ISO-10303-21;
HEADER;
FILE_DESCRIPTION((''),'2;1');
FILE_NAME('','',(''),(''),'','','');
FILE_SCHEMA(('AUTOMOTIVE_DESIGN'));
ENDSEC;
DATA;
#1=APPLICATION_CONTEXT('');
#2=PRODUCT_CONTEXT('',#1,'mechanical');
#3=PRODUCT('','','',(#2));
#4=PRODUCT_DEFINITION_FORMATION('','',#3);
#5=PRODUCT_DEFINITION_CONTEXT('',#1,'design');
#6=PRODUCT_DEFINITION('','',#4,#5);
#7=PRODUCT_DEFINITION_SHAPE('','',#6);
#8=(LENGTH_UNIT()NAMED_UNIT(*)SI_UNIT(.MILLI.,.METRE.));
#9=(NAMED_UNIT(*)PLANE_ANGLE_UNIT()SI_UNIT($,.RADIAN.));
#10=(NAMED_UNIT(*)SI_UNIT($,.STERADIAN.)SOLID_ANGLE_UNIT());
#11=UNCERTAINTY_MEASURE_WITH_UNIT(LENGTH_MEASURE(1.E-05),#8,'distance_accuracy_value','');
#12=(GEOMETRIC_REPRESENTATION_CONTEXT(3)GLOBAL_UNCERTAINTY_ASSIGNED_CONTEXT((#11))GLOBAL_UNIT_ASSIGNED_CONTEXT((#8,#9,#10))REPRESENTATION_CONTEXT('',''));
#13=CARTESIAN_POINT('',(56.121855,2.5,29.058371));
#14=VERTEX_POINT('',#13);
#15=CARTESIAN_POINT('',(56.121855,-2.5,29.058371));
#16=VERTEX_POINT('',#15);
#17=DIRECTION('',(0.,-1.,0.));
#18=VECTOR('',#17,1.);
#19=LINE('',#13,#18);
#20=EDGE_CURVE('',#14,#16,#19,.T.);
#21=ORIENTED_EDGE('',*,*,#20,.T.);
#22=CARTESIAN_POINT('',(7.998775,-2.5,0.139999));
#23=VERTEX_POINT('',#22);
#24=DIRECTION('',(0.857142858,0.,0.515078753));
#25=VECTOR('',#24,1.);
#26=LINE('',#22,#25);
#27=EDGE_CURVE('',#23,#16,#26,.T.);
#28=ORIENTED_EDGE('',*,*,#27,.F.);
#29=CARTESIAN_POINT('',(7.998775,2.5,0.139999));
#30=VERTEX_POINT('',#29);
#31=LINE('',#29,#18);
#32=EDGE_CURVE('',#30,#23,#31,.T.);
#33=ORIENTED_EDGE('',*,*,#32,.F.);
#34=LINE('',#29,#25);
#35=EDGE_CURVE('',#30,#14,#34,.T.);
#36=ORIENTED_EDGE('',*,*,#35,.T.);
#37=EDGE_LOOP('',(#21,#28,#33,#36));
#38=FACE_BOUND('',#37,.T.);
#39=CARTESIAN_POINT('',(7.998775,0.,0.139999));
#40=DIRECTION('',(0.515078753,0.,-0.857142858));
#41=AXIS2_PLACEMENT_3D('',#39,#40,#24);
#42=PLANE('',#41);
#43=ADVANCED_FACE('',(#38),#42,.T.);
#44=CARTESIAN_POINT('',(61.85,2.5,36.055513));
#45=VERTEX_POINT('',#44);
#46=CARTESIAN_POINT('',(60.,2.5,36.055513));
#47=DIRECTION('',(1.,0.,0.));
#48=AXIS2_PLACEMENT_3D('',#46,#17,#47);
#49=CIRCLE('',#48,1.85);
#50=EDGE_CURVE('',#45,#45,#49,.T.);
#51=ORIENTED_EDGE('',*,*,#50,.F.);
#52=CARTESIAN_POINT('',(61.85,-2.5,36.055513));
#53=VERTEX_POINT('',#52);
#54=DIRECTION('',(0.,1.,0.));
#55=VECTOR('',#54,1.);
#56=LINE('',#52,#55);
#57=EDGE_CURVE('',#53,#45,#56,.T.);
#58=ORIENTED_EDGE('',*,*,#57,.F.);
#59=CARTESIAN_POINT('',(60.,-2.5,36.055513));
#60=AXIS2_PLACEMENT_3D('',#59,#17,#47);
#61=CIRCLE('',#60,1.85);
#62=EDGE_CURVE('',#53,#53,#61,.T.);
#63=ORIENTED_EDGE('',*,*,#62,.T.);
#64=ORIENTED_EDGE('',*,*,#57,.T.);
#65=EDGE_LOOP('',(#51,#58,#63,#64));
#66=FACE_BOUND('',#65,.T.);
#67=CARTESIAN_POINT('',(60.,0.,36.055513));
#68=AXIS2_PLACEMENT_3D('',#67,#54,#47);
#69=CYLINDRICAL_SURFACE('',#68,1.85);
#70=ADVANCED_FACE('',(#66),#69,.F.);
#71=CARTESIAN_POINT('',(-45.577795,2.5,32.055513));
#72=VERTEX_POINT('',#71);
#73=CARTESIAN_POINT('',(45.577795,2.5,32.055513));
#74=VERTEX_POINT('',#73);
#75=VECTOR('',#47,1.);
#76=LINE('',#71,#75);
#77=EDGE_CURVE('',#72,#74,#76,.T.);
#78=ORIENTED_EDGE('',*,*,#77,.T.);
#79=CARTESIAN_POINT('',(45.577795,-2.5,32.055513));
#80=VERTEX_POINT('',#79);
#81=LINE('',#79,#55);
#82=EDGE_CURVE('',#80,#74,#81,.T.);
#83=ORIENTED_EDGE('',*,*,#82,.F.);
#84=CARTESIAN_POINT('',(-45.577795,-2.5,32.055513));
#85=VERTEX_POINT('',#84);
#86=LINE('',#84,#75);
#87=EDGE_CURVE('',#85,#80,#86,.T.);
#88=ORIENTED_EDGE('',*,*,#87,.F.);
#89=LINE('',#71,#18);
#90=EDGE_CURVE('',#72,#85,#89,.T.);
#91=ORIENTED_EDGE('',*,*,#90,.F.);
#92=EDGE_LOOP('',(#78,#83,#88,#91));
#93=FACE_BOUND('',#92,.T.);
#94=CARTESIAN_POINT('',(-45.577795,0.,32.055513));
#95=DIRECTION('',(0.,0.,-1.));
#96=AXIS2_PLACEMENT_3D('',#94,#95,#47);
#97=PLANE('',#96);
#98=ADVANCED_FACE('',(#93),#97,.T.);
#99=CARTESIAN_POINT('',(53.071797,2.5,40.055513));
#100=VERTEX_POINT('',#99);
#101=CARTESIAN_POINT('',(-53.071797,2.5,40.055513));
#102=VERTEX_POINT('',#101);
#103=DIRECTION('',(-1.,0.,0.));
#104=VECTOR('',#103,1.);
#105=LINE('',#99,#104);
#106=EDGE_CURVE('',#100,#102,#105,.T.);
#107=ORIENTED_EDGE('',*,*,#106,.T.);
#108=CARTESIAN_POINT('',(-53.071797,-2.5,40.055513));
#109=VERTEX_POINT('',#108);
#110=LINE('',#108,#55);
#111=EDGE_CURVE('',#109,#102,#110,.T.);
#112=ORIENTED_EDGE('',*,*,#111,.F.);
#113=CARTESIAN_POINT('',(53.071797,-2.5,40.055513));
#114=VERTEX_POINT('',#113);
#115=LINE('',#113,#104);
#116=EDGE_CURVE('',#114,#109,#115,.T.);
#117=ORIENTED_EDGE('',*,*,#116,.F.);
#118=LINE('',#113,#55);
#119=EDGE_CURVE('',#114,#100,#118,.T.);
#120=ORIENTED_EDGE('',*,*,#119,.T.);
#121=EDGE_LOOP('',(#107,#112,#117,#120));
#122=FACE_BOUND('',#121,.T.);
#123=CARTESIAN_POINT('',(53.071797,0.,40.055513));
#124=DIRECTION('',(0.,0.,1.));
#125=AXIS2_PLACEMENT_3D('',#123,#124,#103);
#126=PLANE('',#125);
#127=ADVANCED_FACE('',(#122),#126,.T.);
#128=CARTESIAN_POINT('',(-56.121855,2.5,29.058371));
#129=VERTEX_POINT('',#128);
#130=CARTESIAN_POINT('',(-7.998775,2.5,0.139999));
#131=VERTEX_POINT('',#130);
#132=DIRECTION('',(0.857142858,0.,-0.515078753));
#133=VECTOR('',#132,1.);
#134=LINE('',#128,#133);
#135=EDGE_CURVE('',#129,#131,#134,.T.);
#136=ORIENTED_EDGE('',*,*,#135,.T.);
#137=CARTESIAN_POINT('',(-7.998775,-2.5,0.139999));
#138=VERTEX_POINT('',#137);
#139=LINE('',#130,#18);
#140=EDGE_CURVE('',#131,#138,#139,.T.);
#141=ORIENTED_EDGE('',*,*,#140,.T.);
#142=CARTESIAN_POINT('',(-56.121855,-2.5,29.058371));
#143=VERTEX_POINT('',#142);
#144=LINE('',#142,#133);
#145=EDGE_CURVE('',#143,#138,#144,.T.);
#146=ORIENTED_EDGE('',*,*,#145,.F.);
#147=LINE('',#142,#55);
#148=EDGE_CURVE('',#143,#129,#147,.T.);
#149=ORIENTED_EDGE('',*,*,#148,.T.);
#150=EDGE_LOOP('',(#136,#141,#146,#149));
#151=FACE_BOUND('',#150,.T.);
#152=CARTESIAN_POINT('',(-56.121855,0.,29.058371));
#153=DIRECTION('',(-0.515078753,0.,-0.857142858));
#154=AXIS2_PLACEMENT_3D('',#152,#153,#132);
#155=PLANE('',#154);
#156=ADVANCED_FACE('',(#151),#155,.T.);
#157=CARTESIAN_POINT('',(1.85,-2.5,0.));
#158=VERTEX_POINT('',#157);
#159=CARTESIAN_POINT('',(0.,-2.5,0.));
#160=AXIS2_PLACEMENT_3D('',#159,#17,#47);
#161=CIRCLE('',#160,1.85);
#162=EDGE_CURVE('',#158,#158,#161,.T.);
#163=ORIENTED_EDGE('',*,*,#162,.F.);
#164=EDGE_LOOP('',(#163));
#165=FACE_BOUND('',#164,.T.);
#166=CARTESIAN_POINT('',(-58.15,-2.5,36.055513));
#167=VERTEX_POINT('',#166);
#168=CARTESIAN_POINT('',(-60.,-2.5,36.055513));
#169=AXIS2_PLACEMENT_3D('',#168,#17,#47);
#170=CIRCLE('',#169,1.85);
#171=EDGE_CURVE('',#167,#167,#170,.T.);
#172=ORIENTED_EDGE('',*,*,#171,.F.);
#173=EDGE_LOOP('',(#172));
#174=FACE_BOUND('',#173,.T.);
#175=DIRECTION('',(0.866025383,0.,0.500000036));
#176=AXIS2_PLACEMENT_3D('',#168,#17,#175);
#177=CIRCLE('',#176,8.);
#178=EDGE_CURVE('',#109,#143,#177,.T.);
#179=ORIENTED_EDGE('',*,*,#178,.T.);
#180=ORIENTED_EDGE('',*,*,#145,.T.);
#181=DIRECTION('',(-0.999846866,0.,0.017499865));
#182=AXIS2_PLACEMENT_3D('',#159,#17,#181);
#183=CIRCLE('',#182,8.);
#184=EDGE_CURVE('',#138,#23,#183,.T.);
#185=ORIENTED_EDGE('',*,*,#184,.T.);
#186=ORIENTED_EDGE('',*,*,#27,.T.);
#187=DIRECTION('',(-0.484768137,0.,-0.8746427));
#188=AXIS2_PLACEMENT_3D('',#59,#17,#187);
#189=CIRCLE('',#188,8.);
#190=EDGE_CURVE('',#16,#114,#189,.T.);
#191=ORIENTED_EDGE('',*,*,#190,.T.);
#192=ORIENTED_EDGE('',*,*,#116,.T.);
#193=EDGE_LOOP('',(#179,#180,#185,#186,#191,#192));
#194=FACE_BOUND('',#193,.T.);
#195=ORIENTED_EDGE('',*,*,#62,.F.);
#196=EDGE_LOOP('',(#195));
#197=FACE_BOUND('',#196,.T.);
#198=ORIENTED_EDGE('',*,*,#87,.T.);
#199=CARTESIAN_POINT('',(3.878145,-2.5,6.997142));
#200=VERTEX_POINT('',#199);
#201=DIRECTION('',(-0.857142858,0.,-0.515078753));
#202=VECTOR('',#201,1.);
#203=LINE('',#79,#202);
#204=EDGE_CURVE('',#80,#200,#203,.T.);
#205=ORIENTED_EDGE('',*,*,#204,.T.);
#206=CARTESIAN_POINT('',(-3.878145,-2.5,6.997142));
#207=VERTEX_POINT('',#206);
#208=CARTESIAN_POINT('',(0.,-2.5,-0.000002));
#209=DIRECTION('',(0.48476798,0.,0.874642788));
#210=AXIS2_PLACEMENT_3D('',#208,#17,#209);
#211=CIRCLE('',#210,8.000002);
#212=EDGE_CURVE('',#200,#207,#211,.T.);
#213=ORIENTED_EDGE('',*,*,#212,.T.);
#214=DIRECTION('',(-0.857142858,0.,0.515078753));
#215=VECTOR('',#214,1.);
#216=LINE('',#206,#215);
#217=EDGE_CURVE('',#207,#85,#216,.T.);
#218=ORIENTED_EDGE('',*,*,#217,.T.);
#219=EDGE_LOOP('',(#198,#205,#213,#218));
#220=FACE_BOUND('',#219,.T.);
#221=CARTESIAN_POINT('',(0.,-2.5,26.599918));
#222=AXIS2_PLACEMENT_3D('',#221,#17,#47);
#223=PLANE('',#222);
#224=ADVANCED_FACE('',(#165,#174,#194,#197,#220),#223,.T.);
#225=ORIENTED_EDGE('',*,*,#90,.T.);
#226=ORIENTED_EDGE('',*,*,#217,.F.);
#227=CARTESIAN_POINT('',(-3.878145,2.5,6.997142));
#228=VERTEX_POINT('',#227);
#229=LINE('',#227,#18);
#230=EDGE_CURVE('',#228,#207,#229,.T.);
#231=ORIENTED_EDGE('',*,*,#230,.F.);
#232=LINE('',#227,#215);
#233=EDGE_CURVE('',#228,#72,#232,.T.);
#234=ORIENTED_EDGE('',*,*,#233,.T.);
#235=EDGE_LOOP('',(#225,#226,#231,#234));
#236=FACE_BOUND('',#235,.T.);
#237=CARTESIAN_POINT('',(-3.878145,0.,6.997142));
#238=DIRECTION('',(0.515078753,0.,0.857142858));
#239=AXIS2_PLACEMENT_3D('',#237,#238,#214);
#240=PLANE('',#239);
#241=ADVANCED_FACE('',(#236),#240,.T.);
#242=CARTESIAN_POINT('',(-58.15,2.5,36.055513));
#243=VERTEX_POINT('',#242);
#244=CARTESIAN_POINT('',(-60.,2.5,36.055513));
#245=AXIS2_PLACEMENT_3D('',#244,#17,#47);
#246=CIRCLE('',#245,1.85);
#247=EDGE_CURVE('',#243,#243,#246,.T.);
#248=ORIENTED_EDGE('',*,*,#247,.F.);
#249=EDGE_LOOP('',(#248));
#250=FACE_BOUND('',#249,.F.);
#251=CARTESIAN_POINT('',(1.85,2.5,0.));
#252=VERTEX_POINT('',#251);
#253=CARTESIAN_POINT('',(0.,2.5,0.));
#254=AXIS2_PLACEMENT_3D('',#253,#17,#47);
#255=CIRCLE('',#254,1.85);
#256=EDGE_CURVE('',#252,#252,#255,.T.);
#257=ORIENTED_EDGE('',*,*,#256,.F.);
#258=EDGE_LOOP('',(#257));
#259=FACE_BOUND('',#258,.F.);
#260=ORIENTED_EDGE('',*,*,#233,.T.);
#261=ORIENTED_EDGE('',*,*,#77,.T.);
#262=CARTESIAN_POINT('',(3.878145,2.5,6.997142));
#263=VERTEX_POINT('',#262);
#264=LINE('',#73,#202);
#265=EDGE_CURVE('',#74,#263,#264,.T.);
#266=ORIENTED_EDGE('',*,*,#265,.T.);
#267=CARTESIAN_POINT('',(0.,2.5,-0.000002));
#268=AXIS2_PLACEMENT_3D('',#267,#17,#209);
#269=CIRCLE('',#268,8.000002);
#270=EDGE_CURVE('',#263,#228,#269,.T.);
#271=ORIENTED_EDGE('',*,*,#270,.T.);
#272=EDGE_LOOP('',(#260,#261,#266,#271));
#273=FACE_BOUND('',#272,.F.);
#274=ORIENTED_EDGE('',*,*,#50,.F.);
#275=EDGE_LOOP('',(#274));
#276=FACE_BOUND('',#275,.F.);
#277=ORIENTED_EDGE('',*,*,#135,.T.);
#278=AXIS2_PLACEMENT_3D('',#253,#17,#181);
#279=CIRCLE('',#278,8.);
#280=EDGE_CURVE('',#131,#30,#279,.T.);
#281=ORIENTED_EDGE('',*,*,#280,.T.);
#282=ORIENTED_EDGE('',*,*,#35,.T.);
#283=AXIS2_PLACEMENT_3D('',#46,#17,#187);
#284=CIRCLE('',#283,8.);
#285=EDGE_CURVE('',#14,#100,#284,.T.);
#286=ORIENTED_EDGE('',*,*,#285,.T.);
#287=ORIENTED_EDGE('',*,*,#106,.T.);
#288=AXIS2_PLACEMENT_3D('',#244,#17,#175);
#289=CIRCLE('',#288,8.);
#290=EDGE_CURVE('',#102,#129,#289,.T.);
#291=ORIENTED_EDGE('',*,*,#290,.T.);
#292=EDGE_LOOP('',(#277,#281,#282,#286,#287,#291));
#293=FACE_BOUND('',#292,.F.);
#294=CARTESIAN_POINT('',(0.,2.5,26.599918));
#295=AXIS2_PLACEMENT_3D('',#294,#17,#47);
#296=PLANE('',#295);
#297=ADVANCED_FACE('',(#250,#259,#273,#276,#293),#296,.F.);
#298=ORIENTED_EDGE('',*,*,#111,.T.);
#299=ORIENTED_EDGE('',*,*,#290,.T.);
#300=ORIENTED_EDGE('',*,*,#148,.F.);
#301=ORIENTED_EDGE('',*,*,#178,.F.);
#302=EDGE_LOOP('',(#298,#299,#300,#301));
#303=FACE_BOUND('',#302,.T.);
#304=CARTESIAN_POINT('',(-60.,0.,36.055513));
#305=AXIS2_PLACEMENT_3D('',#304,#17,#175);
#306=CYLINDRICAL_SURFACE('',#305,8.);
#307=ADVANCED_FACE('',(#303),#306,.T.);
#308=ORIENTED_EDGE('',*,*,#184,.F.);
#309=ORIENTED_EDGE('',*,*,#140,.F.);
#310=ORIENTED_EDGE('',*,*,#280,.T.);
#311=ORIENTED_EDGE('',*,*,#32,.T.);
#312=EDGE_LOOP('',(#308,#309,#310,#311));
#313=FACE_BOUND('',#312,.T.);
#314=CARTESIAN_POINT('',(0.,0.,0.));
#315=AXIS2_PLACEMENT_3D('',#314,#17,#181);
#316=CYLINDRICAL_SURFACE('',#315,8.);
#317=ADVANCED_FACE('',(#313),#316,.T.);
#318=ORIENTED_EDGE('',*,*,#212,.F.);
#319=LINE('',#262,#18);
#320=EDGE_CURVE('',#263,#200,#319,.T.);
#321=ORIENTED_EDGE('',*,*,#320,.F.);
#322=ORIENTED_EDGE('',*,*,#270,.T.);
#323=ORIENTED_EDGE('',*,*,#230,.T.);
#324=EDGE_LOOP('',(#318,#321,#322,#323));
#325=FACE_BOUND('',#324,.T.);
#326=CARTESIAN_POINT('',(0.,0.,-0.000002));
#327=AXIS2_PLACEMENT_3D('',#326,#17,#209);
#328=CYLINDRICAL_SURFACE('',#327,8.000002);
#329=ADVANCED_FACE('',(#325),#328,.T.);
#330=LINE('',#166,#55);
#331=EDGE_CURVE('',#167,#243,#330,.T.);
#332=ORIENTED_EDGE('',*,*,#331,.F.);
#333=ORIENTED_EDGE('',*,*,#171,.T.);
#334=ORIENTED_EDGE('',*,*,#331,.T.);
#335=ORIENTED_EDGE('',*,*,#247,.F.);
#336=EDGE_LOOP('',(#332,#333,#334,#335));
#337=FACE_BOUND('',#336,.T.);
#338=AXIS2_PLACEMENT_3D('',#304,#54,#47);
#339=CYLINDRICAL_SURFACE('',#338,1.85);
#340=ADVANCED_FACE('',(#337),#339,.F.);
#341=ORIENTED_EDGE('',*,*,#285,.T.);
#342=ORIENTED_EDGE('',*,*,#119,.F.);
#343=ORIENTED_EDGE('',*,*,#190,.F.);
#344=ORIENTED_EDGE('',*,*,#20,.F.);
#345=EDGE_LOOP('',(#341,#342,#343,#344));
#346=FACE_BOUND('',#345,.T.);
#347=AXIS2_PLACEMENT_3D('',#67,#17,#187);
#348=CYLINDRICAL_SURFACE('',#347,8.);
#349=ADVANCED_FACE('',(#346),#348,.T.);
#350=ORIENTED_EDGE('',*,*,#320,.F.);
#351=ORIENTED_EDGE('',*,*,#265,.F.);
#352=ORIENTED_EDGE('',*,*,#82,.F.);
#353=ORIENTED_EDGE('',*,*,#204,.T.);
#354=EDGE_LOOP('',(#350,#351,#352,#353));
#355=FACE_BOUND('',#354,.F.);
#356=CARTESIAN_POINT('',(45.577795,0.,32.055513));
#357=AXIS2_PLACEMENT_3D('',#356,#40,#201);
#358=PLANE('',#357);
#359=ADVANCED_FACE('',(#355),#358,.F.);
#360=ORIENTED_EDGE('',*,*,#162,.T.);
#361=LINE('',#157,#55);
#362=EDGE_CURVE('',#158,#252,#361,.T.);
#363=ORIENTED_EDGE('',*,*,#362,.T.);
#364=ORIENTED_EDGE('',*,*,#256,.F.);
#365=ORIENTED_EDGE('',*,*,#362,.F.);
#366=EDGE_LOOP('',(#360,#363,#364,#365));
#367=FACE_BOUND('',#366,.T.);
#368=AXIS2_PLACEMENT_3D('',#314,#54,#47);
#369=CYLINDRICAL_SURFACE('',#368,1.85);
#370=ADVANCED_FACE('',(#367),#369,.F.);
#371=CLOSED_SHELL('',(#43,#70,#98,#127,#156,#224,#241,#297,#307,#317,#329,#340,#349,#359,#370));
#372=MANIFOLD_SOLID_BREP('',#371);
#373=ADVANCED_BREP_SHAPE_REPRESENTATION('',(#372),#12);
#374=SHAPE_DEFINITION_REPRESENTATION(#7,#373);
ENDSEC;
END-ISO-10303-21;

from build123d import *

# Parameters (mm, degrees)
F0_R     = 1.85
F1_DEPTH = 2.5


with BuildPart() as f1:
    # F0 (on Front) → F1 (new body, symmetric)
    with BuildSketch(Plane.XZ):
        with BuildLine():
            Line((-56.121855, 29.058371), (-7.998775, 0.139999))
            ThreePointArc((-7.998775, 0.139999), (0, -8), (7.998775, 0.139999))
            Line((7.998775, 0.139999), (56.121855, 29.058371))
            ThreePointArc((56.121855, 29.058371), (67.708993, 38.193603), (53.071797, 40.055513))
            Line((53.071797, 40.055513), (-53.071797, 40.055513))
            ThreePointArc((-53.071797, 40.055513), (-67.708993, 38.193603), (-56.121855, 29.058371))
        make_face()
        Circle(F0_R, mode=Mode.SUBTRACT)
        with Locations((-60, 36.055513)):
            Circle(F0_R, mode=Mode.SUBTRACT)
        with BuildLine():
            Line((-45.577795, 32.055513), (45.577795, 32.055513))
            Line((45.577795, 32.055513), (3.878145, 6.997142))
            ThreePointArc((3.878145, 6.997142), (0, 8), (-3.878145, 6.997142))
            Line((-3.878145, 6.997142), (-45.577795, 32.055513))
        make_face(mode=Mode.SUBTRACT)
        with Locations((60, 36.055513)):
            Circle(F0_R, mode=Mode.SUBTRACT)
    extrude(amount=F1_DEPTH, both=True)


solid = f1.part
